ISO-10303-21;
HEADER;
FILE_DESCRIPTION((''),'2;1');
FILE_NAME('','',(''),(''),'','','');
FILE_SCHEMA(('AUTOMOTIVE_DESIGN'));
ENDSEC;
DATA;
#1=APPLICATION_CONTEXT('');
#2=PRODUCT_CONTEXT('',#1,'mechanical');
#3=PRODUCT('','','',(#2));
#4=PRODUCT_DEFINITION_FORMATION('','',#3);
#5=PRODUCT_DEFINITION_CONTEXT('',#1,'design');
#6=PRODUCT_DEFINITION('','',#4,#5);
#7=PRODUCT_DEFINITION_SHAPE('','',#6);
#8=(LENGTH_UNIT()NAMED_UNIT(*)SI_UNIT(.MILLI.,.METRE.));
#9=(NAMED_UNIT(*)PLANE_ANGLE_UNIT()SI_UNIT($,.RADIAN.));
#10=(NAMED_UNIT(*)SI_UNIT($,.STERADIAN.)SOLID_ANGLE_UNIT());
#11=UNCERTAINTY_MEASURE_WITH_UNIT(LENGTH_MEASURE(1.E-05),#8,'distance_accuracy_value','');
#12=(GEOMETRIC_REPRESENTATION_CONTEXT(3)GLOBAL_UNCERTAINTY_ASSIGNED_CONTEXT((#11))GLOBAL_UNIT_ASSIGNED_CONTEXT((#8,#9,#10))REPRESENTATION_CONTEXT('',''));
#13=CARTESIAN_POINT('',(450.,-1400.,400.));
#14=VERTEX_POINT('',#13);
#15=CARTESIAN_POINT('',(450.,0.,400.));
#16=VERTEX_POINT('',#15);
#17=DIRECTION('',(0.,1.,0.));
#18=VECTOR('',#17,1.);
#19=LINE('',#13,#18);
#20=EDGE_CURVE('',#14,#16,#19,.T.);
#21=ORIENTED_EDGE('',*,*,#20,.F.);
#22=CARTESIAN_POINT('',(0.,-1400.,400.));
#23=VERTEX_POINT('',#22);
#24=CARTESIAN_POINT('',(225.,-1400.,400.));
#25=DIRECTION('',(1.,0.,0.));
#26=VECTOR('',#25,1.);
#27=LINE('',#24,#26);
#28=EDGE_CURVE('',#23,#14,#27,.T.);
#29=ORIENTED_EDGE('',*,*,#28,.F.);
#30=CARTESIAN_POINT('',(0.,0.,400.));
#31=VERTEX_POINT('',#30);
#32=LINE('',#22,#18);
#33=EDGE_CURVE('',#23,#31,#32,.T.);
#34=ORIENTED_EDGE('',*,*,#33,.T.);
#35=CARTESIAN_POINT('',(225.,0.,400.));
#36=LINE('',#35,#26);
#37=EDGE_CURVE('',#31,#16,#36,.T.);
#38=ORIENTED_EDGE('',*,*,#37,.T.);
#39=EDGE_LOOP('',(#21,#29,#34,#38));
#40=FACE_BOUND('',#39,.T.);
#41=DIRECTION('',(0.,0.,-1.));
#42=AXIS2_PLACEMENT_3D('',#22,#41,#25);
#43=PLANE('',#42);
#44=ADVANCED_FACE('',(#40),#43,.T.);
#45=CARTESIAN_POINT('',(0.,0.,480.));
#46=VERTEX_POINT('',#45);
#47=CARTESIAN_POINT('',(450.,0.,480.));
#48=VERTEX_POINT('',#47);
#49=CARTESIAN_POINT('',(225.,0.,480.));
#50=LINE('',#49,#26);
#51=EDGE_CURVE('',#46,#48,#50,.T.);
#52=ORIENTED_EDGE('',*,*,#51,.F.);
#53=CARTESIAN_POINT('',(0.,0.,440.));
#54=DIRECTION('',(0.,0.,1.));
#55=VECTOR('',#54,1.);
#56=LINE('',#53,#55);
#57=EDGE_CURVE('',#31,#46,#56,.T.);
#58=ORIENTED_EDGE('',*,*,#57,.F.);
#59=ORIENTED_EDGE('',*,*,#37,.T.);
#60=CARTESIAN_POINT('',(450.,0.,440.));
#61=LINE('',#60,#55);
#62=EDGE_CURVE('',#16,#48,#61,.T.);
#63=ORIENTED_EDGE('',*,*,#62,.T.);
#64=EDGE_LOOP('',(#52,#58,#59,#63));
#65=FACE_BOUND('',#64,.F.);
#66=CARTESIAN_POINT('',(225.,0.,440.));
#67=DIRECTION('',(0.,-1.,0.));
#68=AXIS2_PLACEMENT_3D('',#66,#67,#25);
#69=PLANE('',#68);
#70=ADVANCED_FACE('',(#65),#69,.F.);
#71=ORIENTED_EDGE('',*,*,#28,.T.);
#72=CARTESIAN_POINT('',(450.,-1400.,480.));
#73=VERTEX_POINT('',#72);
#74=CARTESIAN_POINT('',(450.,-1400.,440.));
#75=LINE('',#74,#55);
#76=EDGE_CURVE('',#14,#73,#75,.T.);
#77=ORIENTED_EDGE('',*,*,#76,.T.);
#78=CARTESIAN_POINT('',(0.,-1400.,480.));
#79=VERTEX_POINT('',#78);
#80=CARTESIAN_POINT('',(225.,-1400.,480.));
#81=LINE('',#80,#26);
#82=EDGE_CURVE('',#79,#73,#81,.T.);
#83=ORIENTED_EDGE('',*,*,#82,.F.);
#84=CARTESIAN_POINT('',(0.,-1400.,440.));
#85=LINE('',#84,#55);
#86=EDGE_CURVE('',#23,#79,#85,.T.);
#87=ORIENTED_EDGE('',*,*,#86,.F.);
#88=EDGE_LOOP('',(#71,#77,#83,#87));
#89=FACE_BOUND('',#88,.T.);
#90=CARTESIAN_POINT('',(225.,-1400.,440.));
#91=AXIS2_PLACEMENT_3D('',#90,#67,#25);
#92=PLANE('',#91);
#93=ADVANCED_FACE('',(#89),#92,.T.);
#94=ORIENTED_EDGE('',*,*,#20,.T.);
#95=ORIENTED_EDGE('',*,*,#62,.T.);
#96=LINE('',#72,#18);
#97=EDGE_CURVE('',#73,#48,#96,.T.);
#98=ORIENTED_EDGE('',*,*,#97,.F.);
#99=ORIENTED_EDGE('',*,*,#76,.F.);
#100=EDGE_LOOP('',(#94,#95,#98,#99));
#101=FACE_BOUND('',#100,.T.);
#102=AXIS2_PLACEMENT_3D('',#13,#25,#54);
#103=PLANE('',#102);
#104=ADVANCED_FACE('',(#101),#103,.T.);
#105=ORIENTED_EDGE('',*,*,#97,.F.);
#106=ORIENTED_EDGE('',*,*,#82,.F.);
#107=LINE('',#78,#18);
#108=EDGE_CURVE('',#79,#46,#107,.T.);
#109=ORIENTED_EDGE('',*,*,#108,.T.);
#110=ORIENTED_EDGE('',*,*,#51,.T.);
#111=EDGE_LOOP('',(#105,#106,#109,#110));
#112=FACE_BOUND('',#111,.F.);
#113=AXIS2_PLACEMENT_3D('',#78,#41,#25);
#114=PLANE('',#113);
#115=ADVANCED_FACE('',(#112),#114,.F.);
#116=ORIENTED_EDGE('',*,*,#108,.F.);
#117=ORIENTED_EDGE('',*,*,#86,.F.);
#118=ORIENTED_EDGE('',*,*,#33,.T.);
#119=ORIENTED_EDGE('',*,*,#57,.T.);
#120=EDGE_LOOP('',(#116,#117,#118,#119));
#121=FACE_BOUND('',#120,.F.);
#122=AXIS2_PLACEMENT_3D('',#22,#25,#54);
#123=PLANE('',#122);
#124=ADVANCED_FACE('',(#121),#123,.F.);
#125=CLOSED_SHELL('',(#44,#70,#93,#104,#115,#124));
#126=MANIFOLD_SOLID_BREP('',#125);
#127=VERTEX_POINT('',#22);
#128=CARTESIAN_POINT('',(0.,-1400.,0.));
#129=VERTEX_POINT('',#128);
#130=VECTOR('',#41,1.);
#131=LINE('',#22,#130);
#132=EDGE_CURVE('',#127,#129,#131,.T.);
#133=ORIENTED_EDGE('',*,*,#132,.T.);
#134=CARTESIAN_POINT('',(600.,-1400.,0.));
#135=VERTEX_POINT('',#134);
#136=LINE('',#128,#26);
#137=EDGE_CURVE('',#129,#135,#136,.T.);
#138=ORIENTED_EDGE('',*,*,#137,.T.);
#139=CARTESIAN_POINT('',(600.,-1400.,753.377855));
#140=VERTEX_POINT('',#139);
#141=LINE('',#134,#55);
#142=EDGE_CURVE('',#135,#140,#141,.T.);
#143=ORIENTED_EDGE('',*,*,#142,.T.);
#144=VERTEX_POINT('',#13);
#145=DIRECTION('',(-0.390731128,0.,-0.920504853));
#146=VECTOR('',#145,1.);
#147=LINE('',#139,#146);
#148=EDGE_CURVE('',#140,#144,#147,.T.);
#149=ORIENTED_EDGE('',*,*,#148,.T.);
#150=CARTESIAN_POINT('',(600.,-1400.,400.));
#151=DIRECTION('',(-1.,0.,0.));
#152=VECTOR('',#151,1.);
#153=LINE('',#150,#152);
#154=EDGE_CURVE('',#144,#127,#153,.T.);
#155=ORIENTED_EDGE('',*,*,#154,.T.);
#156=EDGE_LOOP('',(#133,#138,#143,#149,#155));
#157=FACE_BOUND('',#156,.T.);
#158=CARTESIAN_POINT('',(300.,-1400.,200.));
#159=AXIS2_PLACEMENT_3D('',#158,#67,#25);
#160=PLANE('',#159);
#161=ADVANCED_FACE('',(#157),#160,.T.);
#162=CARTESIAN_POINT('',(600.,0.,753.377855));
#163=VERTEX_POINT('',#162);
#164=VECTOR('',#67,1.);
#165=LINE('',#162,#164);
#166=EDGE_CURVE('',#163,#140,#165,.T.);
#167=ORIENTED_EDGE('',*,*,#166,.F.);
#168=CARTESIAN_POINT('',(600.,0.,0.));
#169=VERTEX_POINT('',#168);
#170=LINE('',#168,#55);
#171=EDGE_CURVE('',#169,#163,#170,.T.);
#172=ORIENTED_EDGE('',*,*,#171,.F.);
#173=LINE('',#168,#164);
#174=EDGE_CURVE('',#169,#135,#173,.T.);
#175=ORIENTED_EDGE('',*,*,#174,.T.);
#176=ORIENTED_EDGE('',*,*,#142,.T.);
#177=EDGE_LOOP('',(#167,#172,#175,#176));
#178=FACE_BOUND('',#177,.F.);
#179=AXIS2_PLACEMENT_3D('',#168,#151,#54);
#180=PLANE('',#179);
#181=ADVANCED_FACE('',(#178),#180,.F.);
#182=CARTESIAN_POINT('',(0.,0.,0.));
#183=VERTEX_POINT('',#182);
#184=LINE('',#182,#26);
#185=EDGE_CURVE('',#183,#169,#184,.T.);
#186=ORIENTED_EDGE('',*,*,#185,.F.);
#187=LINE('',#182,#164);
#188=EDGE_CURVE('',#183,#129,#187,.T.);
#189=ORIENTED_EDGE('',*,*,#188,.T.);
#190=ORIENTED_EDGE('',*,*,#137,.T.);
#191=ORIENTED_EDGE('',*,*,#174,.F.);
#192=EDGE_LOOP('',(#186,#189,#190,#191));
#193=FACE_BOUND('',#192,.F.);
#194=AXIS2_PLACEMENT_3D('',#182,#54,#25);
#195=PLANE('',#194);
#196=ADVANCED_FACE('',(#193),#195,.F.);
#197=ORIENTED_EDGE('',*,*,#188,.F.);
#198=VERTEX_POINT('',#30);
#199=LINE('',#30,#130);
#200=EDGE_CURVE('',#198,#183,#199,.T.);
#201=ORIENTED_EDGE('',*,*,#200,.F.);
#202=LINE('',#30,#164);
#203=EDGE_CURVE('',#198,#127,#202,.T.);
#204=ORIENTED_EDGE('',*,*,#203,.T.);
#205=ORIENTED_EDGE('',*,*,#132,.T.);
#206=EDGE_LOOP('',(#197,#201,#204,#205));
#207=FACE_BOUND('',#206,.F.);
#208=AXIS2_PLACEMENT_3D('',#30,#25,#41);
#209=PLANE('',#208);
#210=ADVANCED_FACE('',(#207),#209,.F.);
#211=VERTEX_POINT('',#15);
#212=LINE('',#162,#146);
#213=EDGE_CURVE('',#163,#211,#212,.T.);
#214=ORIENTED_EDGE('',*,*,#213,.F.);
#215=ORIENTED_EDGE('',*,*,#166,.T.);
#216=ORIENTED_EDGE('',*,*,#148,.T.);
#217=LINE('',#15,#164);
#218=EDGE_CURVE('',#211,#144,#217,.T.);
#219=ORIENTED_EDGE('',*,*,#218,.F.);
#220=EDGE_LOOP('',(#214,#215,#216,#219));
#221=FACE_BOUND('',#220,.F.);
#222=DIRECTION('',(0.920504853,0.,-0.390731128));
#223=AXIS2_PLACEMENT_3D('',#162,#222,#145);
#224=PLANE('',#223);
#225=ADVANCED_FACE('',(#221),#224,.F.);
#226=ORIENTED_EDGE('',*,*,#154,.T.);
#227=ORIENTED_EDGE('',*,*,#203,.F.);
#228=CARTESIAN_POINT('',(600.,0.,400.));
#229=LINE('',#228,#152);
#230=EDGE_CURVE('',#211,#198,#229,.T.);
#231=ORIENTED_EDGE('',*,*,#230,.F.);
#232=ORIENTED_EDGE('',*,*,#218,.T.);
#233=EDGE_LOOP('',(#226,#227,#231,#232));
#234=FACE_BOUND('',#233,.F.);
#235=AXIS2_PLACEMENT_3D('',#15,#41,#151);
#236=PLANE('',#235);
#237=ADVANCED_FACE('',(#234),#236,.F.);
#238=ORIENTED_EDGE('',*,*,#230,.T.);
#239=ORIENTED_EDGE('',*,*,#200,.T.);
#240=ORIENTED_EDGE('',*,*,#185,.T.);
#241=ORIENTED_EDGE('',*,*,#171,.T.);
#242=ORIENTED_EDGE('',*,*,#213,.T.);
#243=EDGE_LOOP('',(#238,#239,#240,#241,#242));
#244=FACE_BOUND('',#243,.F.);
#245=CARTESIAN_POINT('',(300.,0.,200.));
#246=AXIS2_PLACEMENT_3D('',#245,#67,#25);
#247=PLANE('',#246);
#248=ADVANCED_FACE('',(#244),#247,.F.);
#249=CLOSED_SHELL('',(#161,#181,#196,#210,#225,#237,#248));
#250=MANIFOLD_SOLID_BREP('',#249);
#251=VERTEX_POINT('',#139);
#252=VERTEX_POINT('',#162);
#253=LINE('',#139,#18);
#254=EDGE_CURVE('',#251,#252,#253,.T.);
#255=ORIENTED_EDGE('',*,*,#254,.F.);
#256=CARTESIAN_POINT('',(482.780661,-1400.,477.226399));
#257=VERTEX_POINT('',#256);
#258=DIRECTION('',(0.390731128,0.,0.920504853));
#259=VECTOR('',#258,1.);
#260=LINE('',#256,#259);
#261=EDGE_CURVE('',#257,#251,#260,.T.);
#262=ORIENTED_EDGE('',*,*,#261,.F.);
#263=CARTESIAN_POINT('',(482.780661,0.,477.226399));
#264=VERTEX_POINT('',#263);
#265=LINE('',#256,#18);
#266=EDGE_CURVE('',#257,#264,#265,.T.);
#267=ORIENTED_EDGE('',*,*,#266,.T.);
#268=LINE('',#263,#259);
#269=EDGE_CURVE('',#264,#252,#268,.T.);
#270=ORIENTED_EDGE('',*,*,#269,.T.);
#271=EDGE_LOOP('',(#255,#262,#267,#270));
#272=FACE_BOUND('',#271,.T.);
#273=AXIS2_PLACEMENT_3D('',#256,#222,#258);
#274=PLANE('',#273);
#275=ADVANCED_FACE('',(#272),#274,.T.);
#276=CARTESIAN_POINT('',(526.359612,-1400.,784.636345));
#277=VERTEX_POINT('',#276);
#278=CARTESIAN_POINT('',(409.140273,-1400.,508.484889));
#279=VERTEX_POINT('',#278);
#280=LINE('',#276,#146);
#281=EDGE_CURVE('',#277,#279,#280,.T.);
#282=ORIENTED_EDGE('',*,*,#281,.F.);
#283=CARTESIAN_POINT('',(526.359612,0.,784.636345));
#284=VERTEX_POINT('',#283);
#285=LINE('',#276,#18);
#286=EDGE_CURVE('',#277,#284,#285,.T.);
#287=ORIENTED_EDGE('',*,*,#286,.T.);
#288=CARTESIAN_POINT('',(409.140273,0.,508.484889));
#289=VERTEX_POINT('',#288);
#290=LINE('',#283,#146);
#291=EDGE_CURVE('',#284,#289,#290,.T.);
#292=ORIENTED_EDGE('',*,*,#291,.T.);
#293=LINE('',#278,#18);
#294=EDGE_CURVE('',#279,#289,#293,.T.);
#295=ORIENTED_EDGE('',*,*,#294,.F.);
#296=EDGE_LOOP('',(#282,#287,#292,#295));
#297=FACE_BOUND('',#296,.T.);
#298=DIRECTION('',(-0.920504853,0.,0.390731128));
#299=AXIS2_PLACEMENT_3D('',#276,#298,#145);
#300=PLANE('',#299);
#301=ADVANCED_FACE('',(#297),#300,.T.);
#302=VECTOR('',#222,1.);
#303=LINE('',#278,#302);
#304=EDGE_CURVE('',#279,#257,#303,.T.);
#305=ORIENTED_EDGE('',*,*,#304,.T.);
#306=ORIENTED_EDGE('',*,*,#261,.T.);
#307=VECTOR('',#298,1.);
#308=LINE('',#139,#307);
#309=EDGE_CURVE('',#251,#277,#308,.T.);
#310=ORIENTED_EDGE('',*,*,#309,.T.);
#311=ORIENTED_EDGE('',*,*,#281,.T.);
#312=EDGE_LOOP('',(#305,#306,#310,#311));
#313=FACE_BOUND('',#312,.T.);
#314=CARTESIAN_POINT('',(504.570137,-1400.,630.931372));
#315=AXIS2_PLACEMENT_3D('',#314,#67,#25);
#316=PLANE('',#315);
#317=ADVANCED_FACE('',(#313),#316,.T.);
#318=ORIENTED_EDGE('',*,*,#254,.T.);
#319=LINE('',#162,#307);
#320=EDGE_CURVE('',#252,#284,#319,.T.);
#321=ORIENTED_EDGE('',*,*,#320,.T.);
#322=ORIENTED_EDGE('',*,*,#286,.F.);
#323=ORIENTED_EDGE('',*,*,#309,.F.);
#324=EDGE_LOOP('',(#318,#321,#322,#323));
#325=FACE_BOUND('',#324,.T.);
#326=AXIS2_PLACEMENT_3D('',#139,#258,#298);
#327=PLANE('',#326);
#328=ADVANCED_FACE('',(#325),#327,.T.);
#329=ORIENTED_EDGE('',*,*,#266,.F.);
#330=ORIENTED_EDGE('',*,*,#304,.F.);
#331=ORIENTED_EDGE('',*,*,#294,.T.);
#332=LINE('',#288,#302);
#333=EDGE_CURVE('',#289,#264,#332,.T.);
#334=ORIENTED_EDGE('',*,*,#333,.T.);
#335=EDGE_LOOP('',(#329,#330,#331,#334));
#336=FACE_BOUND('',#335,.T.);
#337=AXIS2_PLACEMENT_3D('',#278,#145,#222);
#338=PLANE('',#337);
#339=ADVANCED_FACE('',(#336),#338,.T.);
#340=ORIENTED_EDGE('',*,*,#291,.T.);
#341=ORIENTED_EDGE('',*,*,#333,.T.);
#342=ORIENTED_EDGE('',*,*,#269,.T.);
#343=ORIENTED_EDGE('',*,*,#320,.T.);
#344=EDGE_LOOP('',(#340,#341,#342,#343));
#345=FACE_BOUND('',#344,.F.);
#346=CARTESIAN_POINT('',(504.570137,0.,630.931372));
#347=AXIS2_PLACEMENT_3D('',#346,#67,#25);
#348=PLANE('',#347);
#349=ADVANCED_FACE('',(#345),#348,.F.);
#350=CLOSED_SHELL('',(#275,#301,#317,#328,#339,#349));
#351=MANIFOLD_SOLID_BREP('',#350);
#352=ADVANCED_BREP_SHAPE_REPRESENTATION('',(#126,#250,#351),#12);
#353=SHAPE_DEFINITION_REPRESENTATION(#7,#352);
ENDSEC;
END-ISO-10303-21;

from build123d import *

# Parameters (mm, degrees)
F1_DEPTH = 1400
F2_W     = 450
F2_H     = 80
F3_DEPTH = 1400


with BuildPart() as f1:
    # F0 (on Front) → F1 (new body)
    with BuildSketch(Plane.XZ):
        Polygon((0, 400), (0, 0), (600, 0), (600, 400), (450, 400), align=None)
        Polygon((450, 400), (600, 400), (600, 753.3778548736), (482.7806614532, 477.2263988378), align=None)
    extrude(amount=F1_DEPTH)


with BuildPart() as f3:
    # F2 (on face) → F3 (new body)
    with BuildSketch(Plane.XZ.offset(1400)):
        with Locations((225, 440)):
            Rectangle(F2_W, F2_H)
    extrude(amount=-F3_DEPTH)


with BuildPart() as f3b:
    # F2 (on face) → F3, piece 2 (new body)
    with BuildSketch(Plane.XZ.offset(1400)):
        Polygon((409.140273177, 508.484889117), (482.7806614532, 477.2263988378), (600, 753.3778548736), (526.3596117238, 784.6363451527), align=None)
    extrude(amount=-F3_DEPTH)


solid = Compound([f1.part, f3.part, f3b.part])
